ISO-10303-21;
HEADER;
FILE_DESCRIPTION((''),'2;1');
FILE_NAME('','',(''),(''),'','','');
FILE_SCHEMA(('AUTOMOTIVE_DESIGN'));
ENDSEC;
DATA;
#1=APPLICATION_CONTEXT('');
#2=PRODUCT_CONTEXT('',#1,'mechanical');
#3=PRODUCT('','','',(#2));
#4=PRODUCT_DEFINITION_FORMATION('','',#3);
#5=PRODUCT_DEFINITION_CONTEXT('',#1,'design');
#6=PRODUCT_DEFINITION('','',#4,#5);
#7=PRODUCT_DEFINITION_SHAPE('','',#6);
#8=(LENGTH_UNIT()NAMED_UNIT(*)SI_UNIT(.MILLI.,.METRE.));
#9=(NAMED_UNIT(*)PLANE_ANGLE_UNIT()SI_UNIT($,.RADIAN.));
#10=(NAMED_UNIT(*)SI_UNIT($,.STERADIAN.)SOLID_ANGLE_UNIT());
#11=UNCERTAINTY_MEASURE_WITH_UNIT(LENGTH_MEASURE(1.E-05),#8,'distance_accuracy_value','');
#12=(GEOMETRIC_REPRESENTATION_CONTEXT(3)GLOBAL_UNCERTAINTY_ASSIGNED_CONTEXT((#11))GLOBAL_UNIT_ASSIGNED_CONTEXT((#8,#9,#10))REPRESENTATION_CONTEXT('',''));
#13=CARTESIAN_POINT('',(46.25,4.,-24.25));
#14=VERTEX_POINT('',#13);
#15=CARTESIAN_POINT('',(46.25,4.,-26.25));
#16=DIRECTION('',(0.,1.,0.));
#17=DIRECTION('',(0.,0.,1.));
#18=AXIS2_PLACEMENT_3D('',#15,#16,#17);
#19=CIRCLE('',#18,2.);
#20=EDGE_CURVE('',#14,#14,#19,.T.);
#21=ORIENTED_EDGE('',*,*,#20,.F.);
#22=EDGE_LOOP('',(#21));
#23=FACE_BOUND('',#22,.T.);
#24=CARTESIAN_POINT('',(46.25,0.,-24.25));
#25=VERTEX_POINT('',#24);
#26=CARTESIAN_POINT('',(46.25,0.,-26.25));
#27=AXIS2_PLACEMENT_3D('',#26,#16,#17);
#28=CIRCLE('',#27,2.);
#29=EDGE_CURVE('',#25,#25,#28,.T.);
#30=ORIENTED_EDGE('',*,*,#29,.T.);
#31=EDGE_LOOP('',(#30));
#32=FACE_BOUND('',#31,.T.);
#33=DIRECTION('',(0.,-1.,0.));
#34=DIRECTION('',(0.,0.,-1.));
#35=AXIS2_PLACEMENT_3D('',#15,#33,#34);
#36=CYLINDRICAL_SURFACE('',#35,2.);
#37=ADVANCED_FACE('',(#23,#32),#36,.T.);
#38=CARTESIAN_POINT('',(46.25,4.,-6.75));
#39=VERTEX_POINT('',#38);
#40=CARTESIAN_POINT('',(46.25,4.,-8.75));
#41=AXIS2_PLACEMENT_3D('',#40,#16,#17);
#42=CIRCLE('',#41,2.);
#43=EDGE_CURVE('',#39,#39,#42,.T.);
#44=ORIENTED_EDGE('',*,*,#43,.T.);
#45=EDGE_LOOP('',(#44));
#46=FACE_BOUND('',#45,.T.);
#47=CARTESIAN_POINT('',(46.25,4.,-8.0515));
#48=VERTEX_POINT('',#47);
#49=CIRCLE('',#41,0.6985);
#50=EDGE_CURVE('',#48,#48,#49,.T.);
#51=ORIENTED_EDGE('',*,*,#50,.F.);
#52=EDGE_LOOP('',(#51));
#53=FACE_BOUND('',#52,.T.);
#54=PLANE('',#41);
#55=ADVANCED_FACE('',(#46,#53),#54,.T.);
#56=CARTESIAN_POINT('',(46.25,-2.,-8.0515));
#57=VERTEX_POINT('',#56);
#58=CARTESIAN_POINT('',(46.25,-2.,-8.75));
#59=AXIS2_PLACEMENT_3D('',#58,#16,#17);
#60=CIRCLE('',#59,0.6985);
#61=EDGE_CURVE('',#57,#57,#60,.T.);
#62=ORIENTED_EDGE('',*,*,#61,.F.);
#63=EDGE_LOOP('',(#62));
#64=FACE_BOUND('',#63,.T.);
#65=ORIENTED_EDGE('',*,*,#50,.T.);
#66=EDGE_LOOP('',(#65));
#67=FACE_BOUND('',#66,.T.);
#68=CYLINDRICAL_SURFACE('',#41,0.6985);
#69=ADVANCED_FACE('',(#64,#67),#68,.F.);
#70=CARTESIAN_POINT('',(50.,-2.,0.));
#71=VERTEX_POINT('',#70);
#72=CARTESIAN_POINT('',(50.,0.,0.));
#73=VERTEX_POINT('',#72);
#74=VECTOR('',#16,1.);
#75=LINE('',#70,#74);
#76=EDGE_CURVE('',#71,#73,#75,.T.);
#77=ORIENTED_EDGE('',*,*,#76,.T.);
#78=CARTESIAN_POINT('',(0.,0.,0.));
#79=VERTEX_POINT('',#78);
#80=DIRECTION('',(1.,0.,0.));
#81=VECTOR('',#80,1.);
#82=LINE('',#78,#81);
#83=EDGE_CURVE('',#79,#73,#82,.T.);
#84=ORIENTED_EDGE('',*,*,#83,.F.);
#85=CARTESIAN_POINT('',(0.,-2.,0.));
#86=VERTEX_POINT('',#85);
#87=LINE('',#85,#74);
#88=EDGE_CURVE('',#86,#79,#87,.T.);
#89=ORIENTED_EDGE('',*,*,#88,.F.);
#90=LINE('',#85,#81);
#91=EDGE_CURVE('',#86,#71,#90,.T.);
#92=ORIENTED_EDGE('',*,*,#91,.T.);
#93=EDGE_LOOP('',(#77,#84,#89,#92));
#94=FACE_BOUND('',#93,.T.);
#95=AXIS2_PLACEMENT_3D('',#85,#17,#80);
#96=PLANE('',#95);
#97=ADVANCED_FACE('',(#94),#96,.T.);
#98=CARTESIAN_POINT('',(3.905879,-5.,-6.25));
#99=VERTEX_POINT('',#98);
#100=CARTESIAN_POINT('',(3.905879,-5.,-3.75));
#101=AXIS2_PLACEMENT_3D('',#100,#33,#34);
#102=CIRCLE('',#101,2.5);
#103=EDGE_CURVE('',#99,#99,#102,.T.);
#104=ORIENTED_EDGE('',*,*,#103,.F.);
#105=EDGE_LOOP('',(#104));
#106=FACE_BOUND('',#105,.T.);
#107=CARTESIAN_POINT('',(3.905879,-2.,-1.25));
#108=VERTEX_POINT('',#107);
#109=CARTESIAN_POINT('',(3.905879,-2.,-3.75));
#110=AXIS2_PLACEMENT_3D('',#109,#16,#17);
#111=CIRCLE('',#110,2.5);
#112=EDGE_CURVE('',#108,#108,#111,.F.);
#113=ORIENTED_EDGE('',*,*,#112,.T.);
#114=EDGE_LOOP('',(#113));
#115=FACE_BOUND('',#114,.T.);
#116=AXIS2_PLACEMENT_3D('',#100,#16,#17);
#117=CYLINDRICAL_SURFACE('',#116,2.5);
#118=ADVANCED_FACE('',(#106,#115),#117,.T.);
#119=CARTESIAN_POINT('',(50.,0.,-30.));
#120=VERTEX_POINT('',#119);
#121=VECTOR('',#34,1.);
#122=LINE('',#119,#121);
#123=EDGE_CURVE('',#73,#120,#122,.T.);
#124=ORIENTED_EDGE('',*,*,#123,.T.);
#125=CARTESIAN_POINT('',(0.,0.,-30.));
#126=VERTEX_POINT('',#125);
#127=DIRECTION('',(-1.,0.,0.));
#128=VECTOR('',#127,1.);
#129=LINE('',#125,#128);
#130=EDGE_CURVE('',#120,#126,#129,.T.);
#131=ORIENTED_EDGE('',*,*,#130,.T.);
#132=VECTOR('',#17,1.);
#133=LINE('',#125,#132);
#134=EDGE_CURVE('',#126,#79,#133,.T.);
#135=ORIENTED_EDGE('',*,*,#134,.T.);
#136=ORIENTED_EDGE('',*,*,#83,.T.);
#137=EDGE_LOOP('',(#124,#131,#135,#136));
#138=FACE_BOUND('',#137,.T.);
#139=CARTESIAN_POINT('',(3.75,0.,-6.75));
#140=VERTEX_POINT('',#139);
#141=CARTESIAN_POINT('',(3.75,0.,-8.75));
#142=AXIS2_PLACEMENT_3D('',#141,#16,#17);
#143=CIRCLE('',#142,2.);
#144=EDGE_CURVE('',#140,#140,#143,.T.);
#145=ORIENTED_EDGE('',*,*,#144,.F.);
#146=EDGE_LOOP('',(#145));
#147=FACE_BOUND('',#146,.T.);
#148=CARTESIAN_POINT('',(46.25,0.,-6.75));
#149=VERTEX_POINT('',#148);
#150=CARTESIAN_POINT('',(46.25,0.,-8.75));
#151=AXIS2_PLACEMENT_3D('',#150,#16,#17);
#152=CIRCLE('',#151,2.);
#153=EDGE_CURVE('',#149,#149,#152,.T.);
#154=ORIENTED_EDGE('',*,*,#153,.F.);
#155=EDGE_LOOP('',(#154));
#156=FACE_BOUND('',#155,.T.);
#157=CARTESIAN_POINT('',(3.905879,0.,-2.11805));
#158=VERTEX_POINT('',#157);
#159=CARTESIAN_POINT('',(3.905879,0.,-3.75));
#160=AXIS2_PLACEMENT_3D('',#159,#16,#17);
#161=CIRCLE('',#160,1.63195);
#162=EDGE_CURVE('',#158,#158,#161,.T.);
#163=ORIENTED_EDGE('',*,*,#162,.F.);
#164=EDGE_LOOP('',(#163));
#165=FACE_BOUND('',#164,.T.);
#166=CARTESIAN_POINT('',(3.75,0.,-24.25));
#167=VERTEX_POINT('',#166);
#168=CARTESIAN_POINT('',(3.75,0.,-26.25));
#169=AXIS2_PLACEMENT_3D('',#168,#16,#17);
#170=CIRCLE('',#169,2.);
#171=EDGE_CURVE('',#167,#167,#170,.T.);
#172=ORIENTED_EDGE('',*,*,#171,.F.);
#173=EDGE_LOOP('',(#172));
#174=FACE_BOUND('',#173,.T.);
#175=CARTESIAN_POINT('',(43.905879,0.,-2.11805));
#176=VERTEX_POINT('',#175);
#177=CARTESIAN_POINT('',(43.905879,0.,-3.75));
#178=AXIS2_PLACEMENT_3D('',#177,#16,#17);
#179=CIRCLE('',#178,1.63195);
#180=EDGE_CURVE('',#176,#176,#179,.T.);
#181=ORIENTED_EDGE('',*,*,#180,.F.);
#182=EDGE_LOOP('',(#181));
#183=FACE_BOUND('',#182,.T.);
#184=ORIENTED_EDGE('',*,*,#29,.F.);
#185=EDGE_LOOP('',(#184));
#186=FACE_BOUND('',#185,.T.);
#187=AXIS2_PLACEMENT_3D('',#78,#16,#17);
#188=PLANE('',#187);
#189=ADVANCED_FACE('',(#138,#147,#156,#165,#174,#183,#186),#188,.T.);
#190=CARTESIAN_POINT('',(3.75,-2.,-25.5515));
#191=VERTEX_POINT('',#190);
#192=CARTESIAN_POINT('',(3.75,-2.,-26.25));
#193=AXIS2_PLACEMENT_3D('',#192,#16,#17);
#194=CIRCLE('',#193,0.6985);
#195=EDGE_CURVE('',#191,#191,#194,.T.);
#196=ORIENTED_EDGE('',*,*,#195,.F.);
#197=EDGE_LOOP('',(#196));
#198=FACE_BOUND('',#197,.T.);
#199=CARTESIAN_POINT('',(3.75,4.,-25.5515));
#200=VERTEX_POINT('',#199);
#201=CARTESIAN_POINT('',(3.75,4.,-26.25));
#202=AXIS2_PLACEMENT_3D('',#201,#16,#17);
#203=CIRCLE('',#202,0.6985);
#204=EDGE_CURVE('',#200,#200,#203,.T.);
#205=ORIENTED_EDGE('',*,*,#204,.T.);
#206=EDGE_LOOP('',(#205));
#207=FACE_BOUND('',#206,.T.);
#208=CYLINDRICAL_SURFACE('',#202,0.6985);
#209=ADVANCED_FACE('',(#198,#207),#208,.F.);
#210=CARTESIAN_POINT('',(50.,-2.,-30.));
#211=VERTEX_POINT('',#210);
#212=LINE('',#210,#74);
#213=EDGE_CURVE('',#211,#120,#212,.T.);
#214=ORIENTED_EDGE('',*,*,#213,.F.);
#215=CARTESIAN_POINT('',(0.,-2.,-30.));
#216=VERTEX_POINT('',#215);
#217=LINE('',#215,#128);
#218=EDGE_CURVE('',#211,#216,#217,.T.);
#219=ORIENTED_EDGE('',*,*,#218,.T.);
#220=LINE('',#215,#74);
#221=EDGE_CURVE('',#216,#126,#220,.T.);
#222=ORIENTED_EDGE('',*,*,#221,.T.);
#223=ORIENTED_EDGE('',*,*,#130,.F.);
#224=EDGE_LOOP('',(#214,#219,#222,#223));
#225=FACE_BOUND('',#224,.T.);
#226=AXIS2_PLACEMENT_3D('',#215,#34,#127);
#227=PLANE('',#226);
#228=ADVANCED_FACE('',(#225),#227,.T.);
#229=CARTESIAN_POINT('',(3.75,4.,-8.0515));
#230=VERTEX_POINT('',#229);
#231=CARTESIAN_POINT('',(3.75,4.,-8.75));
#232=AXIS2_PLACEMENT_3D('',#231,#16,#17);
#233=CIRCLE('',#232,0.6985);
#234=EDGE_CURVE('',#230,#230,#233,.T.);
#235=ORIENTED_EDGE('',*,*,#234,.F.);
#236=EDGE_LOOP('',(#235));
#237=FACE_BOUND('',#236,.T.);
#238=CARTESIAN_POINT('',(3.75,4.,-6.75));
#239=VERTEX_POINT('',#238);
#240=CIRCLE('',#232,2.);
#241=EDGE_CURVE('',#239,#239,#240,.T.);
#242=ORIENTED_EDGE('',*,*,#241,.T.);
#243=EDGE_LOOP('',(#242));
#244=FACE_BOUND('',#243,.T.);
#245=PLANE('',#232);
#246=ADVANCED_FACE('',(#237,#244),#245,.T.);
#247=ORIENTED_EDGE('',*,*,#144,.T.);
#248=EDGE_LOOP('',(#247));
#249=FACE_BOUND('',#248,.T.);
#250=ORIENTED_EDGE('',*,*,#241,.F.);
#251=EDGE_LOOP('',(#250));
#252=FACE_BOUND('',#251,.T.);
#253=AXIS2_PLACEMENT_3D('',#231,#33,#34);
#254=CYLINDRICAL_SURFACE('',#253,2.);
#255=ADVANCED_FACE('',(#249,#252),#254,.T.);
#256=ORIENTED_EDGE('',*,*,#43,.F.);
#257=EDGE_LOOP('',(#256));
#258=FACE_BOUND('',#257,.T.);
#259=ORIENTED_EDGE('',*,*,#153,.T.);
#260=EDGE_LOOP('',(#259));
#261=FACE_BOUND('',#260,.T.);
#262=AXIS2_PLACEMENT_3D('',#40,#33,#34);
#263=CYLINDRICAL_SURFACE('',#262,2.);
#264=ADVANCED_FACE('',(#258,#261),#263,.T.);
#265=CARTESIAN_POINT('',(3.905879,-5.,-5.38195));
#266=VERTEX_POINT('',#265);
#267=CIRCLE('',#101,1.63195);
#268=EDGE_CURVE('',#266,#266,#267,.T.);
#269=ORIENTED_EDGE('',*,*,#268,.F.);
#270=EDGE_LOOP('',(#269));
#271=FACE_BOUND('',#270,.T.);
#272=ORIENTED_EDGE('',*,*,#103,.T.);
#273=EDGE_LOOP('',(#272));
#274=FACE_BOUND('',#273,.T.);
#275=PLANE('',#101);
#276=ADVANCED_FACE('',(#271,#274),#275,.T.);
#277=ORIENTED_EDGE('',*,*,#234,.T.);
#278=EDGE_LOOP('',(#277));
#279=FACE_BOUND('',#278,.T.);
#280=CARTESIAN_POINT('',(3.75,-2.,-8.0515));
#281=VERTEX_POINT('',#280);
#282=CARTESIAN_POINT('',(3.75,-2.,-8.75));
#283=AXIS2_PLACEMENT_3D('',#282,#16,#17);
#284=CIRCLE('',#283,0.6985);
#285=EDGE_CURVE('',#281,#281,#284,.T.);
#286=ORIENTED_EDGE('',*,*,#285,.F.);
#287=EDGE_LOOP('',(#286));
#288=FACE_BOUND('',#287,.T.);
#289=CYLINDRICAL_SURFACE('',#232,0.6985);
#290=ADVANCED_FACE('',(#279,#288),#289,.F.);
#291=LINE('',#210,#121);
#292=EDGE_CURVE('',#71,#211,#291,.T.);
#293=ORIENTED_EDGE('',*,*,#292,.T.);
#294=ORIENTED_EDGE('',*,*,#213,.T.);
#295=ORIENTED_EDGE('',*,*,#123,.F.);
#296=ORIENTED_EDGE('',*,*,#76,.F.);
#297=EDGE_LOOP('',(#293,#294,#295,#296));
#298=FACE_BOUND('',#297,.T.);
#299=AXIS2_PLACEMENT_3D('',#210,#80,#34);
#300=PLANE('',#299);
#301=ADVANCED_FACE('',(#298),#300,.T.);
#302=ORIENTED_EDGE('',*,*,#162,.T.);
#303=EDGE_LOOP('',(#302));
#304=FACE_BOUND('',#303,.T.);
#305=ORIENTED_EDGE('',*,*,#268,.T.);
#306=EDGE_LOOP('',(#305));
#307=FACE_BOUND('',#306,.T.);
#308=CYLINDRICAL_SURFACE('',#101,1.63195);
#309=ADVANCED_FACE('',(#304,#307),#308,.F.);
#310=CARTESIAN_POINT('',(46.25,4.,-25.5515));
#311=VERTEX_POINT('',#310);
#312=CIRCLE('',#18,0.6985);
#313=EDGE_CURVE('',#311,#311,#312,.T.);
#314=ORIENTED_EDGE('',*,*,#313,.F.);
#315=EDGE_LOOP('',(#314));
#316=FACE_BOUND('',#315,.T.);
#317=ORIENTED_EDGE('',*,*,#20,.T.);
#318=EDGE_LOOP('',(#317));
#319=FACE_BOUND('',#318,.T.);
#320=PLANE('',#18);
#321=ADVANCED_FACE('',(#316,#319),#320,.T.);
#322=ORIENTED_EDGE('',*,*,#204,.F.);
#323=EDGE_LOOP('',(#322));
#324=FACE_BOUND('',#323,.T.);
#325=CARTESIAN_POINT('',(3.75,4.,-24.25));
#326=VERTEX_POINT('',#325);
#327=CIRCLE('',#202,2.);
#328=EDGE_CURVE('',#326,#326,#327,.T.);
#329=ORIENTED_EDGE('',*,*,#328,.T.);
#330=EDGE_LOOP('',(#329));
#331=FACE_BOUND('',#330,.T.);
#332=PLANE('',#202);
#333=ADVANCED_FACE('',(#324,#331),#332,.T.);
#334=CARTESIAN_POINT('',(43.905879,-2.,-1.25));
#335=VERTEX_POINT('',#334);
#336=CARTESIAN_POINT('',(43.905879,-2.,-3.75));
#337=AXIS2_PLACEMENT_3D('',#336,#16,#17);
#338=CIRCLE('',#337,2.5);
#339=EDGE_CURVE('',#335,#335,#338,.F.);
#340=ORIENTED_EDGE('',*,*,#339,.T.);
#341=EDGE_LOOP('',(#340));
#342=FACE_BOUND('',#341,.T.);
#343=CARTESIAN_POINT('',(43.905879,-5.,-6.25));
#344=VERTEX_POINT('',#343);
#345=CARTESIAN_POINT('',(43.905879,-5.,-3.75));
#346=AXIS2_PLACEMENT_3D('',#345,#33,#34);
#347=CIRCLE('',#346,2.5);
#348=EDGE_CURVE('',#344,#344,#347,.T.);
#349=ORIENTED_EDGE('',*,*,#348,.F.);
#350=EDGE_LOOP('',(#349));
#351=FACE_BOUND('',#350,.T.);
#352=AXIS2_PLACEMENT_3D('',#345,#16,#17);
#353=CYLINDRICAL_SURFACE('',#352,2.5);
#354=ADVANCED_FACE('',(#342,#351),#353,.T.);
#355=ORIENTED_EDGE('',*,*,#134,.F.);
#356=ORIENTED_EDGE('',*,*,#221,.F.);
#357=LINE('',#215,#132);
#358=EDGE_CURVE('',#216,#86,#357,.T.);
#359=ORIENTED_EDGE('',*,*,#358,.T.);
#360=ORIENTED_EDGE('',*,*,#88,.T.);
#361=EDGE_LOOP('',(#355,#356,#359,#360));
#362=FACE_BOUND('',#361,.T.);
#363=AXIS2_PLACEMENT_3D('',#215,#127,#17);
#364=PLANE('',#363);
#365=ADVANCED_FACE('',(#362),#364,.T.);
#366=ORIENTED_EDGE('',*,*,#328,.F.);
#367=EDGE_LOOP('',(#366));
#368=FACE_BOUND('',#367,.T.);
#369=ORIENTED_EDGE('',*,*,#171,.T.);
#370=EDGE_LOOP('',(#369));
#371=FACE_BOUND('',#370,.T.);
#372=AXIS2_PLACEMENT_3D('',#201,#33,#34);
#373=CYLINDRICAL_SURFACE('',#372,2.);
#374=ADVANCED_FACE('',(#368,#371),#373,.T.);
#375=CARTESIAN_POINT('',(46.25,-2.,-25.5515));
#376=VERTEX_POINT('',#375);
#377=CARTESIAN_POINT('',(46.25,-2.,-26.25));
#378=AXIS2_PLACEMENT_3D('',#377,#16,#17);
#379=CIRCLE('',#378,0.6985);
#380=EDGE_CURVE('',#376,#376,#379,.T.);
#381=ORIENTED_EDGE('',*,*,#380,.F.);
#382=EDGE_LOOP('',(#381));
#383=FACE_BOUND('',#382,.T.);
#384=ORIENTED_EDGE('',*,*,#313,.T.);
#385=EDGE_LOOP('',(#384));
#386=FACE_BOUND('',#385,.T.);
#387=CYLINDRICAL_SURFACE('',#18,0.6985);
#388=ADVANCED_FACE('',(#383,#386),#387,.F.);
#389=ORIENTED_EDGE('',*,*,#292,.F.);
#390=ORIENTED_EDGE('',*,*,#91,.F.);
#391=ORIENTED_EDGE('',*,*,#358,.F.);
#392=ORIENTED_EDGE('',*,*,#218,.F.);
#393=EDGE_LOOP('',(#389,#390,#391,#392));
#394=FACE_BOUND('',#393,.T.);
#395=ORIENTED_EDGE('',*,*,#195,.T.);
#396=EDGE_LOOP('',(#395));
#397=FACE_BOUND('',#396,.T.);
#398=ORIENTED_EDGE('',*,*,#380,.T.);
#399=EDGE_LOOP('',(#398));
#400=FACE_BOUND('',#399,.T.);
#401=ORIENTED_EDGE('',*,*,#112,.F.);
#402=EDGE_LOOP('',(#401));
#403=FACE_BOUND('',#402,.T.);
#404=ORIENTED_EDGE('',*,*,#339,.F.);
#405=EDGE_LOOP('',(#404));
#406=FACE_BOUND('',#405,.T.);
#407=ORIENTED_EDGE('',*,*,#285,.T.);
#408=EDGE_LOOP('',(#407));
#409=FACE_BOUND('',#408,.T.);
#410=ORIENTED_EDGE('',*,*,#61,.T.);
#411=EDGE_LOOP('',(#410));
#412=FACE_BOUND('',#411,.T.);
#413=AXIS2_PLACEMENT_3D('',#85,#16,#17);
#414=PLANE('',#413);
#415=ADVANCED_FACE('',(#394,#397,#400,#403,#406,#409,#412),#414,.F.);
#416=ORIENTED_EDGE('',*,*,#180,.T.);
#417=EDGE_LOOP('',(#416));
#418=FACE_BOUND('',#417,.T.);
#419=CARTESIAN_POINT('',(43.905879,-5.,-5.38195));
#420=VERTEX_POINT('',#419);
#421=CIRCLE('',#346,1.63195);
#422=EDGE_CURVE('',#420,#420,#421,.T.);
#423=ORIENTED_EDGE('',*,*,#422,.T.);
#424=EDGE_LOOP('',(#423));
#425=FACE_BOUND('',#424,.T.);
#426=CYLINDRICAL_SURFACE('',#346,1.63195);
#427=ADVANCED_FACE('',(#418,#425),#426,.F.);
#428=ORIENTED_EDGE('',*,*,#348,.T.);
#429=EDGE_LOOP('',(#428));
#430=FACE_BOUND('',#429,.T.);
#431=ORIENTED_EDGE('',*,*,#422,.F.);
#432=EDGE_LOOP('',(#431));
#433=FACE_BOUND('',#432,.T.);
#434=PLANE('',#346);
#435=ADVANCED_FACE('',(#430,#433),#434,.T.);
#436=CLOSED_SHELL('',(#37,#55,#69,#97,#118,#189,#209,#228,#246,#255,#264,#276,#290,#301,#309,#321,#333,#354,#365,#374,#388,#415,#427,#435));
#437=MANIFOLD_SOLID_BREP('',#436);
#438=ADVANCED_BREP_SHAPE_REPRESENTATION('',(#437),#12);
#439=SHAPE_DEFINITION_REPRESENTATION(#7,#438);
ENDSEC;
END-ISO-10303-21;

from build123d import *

# Parameters (mm, degrees)
SKETCH1_R              = 2
BOSS_EXTRUDE1_DEPTH    = 4
BOSS_EXTRUDE1_2_DEPTH  = 4
BOSS_EXTRUDE1_3_DEPTH  = 4
BOSS_EXTRUDE1_4_DEPTH  = 4
SKETCH2_W              = 50
SKETCH2_H              = 30
BOSS_EXTRUDE2_DEPTH    = 2
F_00_CLEARANCE_HOLE2_D = 1.397
SKETCH9_R              = 2.5
BOSS_EXTRUDE3_DEPTH    = 3
F_4_CLEARANCE_HOLE1_D  = 3.2639


with BuildPart() as part:
    # Sketch1 → Boss-Extrude1 (new body)
    with BuildSketch(Plane(origin=(0, 0, 0), x_dir=(1, 0, 0), z_dir=(0, 1, 0))):
        with Locations(Location((3.75, 26.25, 0), (0, 0, 270))):
            Circle(SKETCH1_R)
    extrude(amount=BOSS_EXTRUDE1_DEPTH)



with BuildPart() as body_2:
    # Sketch1 → Boss-Extrude1 2 (new body)
    with BuildSketch(Plane(origin=(0, 0, 0), x_dir=(1, 0, 0), z_dir=(0, 1, 0))):
        with Locations(Location((46.25, 26.25, 0), (0, 0, 270))):
            Circle(SKETCH1_R)
    extrude(amount=BOSS_EXTRUDE1_2_DEPTH)


with BuildPart() as body_3:
    # Sketch1 → Boss-Extrude1 3 (new body)
    with BuildSketch(Plane(origin=(0, 0, 0), x_dir=(1, 0, 0), z_dir=(0, 1, 0))):
        with Locations(Location((46.25, 8.75, 0), (0, 0, 270))):
            Circle(SKETCH1_R)
    extrude(amount=BOSS_EXTRUDE1_3_DEPTH)


with BuildPart() as body_4:
    # Sketch1 → Boss-Extrude1 4 (new body)
    with BuildSketch(Plane(origin=(0, 0, 0), x_dir=(1, 0, 0), z_dir=(0, 1, 0))):
        with Locations(Location((3.75, 8.75, 0), (0, 0, 270))):
            Circle(SKETCH1_R)
    extrude(amount=BOSS_EXTRUDE1_4_DEPTH)


with BuildPart() as part_1:
    add(part.part)

    add(body_2.part)  # Boss-Extrude2 merges body 2

    add(body_3.part)  # Boss-Extrude2 merges body 3

    add(body_4.part)  # Boss-Extrude2 merges body 4
    # Sketch2 → Boss-Extrude2 (add)
    with BuildSketch(Plane(origin=(0, 0, 0), x_dir=(1, 0, 0), z_dir=(0, 1, 0))):
        with Locations((25, 15)):
            Rectangle(SKETCH2_W, SKETCH2_H)
    extrude(amount=-BOSS_EXTRUDE2_DEPTH)

    # #00 Clearance Hole2 (through all)
    with Locations(Plane(origin=(0, 4, 0), x_dir=(1, 0, 0), z_dir=(0, 1, 0))):
        with Locations((3.75, 26.25), (46.25, 26.25), (46.25, 8.75), (3.75, 8.75)):
            Hole(F_00_CLEARANCE_HOLE2_D / 2)

    # Sketch9 → Boss-Extrude3 (add)
    with BuildSketch(Plane.XZ.offset(2)):
        with Locations(Location((3.905878753, -3.75, 0), (0, 0, 90))):
            Circle(SKETCH9_R)
        with Locations(Location((43.905878753, -3.75, 0), (0, 0, 90))):
            Circle(SKETCH9_R)
    extrude(amount=BOSS_EXTRUDE3_DEPTH)

    # #4 Clearance Hole1 (through all)
    with Locations(Plane(origin=(0, -5, 0), x_dir=(-1, 0, 0), z_dir=(0, -1, 0))):
        with Locations((-3.905878753, 3.75), (-43.905878753, 3.75)):
            Hole(F_4_CLEARANCE_HOLE1_D / 2)


solid = part_1.part
